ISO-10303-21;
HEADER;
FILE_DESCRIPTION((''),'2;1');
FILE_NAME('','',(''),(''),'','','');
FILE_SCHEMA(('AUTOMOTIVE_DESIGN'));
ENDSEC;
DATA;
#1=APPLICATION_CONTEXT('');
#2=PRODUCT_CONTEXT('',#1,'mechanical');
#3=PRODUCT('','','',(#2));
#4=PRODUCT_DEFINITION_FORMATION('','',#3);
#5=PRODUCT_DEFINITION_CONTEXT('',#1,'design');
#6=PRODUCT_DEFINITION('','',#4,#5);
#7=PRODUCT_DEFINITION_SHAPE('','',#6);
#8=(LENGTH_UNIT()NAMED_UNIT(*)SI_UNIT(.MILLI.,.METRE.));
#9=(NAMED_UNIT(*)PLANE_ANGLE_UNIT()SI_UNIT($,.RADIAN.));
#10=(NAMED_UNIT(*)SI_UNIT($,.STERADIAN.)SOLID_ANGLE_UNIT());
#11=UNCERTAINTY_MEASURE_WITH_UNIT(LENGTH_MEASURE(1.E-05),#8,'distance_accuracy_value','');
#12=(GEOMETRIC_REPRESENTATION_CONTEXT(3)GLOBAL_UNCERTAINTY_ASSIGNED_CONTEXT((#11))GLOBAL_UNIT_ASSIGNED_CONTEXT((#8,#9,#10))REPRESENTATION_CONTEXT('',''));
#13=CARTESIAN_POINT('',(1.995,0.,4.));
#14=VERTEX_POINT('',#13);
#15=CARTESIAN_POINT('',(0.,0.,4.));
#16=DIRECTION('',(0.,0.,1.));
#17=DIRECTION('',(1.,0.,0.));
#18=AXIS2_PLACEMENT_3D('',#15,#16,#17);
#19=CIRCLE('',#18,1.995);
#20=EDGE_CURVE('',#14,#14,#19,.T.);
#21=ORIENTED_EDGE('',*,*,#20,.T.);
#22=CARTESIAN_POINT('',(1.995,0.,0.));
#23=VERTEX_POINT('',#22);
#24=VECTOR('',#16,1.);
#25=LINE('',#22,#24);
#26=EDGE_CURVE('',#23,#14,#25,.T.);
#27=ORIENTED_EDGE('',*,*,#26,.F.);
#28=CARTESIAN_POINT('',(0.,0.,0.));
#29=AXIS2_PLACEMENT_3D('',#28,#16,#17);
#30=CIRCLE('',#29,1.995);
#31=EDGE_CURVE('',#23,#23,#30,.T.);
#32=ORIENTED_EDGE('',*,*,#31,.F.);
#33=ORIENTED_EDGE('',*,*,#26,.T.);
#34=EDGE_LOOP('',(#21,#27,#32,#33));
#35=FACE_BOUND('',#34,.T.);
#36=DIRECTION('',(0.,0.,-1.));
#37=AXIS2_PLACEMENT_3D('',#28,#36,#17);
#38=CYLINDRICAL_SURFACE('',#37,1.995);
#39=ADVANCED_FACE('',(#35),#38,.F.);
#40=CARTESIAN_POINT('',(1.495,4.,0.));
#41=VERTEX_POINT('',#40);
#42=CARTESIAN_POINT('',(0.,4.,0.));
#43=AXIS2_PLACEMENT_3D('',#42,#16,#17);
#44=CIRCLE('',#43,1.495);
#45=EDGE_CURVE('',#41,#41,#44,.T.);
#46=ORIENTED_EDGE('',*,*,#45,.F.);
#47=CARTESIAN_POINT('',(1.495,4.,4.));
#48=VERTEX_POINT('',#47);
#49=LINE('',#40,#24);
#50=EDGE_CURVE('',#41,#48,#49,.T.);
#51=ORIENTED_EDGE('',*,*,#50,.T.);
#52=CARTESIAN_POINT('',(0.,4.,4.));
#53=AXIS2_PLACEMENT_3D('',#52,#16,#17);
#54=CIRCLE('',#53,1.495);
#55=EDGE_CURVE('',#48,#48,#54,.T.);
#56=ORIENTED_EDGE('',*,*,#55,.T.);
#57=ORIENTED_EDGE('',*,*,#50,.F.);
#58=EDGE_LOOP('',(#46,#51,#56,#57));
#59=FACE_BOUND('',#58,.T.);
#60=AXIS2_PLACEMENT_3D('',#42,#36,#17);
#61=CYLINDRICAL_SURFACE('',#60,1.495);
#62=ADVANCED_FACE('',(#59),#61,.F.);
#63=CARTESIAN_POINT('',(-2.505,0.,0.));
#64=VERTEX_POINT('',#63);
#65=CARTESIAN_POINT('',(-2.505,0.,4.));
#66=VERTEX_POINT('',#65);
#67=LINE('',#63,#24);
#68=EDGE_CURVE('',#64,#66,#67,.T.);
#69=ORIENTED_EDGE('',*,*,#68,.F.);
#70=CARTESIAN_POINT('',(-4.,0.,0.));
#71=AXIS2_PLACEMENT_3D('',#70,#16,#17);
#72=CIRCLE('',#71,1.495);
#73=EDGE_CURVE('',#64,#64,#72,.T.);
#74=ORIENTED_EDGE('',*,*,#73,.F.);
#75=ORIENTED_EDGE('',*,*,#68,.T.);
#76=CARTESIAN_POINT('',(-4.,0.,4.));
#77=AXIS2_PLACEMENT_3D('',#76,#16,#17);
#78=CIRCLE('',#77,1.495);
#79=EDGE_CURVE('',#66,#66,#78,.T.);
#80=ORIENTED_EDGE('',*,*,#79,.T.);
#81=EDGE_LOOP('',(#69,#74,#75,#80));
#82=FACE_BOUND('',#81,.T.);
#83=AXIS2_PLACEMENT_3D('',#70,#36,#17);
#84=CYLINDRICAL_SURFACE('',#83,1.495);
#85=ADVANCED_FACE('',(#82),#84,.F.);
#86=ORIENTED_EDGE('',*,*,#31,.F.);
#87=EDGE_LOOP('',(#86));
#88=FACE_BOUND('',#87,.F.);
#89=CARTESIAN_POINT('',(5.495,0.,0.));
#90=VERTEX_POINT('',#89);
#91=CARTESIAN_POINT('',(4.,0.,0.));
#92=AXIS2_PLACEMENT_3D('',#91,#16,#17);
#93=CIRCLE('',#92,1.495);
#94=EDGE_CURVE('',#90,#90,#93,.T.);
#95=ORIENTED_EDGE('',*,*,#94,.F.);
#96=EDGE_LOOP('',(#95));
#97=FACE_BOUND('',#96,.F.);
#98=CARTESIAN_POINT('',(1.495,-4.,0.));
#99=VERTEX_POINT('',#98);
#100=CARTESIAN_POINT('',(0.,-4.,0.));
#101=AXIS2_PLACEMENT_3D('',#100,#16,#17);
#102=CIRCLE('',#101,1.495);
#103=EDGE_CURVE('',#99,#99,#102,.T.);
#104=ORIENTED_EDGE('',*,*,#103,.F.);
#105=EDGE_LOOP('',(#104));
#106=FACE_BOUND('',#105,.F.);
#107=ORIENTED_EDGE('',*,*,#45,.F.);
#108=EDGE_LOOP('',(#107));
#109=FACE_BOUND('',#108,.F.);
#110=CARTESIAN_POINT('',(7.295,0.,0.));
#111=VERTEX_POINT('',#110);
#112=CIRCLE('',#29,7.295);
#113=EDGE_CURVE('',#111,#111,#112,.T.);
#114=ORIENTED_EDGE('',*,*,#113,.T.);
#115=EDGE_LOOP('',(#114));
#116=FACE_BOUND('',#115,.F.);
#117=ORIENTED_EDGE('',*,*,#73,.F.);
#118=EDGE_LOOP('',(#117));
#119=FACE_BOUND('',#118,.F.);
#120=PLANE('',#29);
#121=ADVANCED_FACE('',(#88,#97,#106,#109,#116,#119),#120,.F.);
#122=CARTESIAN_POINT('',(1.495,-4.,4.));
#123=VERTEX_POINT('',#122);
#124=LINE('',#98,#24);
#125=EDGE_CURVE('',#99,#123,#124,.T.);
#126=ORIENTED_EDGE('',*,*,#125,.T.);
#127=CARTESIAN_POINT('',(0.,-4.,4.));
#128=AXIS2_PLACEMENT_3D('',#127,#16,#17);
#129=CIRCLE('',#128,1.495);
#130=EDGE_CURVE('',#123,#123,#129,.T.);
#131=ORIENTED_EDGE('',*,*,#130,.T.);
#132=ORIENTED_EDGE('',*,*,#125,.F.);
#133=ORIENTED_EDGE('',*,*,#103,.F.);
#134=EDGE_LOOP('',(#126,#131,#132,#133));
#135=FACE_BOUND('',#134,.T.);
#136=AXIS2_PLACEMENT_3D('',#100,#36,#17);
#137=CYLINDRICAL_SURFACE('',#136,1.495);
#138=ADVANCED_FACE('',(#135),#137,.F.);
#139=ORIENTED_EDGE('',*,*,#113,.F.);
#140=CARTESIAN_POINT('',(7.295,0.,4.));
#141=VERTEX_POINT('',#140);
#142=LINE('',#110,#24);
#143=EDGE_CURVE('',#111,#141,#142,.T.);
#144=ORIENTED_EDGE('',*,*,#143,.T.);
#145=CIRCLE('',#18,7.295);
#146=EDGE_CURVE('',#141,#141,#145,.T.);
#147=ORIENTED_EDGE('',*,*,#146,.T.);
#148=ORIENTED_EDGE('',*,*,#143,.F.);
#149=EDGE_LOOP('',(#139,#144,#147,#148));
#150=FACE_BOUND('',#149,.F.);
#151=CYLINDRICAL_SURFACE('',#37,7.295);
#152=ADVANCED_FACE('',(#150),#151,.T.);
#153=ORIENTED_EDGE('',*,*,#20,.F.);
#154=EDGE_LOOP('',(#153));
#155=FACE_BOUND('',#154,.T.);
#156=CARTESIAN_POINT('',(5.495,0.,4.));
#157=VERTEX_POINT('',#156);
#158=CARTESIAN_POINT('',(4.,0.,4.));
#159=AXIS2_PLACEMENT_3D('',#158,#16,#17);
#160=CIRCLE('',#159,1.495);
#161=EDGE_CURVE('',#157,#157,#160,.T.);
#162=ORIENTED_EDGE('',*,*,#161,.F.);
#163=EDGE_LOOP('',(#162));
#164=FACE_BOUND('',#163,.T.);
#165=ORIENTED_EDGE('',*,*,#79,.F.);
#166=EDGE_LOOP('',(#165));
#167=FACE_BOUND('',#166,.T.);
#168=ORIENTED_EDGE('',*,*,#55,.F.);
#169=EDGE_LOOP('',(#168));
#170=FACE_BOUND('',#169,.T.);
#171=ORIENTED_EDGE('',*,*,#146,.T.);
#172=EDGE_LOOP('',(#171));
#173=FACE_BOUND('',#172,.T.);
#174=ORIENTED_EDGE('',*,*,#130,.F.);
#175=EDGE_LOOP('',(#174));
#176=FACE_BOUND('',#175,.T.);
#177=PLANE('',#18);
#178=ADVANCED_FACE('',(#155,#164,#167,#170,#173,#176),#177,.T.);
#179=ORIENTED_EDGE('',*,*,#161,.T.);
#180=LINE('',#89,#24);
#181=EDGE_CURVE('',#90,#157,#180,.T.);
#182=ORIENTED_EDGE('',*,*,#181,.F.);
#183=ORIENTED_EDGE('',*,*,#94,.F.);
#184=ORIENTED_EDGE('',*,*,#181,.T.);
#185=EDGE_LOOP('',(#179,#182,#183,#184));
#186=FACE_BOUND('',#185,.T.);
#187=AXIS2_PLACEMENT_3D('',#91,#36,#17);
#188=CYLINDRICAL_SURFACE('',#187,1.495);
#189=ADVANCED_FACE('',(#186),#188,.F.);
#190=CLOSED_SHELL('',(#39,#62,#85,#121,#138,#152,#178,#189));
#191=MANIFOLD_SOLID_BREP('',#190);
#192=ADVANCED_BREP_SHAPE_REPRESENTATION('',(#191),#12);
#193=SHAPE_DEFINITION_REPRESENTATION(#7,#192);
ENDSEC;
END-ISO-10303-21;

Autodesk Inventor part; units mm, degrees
ref_plane "YZ Plane" through (0, 0, 0) normal (1, 0, 0) x (0, 1, 0)
ref_plane "XZ Plane" through (0, 0, 0) normal (0, 1, 0) x (-1, 0, 0)
ref_plane "XY Plane" through (0, 0, 0) normal (0, 0, 1) x (1, 0, 0)
sketch "スケッチ1" plane through (0, 0, 0) normal (0, 0, 1) x (1, 0, 0)
  line L0 (0, 0) -> (-4, 0) construction
  circle A0 centre (-4, 0) radius 1.495
  line L1 (0, 0) -> (0, -4) construction
  circle A1 centre (0, -4) radius 1.495
  line L2 (0, 0) -> (4, 0) construction
  circle A2 centre (4, 0) radius 1.495
  line L3 (0, 0) -> (0, 4) construction
  circle A3 centre (0, 4) radius 1.495
  line L4 (0, 0) -> (-8.8388, 8.8388) construction
  circle A4 centre (-8.8388, 8.8388) radius 1.5
  line L5 (0, 0) -> (-8.8388, -8.8388) construction
  circle A5 centre (-8.8388, -8.8388) radius 1.5
  line L6 (0, 0) -> (8.8388, -8.8388) construction
  circle A6 centre (8.8388, -8.8388) radius 1.5
  line L7 (0, 0) -> (8.8388, 8.8388) construction
  circle A7 centre (8.8388, 8.8388) radius 1.5
  circle A8 centre (0, 0) radius 7.295
  circle A9 centre (0, 0) radius 15.5
  circle A10 centre (0, 0) radius 1.995
  dimension "d0" = 4
  dimension "d1" = 2.99
  dimension "d4" = 360
  dimension "d6" = 12.5
  dimension "d7" = 3
  dimension "d8" = 45
  dimension "d11" = 360
  dimension "d13" = 1.8
  dimension "d14" = 14.59
  dimension "d15" = 1.5
  dimension "d16" = 3.99
extrude "押し出し1" add sketch "スケッチ1" along normal blind 4 contours A8
properties part number "脚中間フレームカム" material "アルミニウム 7075"
